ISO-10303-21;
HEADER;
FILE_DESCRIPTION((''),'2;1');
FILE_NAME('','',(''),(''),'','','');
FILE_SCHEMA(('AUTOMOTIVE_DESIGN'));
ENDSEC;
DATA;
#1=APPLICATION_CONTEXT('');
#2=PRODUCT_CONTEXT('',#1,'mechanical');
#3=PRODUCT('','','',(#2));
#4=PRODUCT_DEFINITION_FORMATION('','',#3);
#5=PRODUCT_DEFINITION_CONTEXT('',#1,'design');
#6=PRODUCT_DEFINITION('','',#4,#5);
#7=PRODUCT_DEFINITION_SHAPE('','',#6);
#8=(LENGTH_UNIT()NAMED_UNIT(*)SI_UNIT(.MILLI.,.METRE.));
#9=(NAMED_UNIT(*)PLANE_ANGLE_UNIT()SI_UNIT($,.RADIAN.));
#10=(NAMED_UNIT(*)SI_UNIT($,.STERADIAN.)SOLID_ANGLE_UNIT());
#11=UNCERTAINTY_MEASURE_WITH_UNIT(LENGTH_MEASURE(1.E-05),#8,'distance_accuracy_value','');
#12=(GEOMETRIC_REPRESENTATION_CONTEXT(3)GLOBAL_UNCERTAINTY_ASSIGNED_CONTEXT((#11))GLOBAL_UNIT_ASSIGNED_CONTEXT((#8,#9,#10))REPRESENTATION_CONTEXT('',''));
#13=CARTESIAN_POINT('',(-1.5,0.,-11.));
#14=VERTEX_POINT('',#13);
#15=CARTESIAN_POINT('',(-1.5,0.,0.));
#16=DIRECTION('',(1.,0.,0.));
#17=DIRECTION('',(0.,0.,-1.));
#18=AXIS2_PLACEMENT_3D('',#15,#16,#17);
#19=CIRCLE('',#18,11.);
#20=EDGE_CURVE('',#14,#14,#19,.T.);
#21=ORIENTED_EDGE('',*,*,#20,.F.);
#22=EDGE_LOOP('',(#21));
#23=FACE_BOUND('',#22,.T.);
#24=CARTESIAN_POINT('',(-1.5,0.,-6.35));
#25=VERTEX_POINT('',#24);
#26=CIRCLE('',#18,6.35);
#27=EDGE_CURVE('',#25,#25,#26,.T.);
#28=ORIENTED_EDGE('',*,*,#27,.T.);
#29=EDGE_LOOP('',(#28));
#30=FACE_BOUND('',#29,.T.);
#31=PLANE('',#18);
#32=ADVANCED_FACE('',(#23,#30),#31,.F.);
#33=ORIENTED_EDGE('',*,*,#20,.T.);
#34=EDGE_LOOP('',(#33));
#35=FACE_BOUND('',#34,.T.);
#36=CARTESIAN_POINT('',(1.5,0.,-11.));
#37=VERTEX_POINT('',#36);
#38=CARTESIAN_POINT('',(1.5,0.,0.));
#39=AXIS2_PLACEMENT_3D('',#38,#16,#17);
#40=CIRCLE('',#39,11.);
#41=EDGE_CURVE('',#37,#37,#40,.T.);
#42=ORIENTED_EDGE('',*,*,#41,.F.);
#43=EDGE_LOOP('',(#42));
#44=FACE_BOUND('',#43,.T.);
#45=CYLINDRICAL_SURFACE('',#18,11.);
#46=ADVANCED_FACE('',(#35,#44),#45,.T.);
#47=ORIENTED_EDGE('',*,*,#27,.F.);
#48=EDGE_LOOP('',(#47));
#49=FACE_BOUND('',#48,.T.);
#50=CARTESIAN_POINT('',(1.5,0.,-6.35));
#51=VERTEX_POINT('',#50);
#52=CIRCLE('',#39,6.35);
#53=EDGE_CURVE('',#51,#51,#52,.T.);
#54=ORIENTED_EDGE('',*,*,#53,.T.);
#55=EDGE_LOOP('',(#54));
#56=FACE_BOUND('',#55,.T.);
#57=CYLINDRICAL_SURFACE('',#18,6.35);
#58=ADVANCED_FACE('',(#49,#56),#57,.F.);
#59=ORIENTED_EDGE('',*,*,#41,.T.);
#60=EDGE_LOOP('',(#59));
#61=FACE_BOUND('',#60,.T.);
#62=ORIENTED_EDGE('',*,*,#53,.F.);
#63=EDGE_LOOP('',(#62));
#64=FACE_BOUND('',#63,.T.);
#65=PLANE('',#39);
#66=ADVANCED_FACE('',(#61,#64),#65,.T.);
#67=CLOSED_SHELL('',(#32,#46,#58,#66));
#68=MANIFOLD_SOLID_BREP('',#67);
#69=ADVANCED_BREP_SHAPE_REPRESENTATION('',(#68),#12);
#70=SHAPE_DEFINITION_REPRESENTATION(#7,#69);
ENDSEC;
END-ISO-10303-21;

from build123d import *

# Parameters (mm, degrees)
BOSS_EXTRUDE1_DEPTH      = 1.5
BOSS_EXTRUDE1_DEPTH_BACK = 1.5
SKETCH1_R                = 11
SKETCH1_R_2              = 6.35


with BuildPart() as part:
    # Sketch1 → Boss-Extrude1 (new, two sides: drawn at the far end of the back side and taken through both)
    with BuildSketch(Plane(origin=(0, 0, 0), x_dir=(0, 0, -1), z_dir=(1, 0, 0)).offset(-BOSS_EXTRUDE1_DEPTH_BACK)):
        Circle(SKETCH1_R)
        Circle(SKETCH1_R_2, mode=Mode.SUBTRACT)
    extrude(amount=BOSS_EXTRUDE1_DEPTH + BOSS_EXTRUDE1_DEPTH_BACK)


solid = part.part
